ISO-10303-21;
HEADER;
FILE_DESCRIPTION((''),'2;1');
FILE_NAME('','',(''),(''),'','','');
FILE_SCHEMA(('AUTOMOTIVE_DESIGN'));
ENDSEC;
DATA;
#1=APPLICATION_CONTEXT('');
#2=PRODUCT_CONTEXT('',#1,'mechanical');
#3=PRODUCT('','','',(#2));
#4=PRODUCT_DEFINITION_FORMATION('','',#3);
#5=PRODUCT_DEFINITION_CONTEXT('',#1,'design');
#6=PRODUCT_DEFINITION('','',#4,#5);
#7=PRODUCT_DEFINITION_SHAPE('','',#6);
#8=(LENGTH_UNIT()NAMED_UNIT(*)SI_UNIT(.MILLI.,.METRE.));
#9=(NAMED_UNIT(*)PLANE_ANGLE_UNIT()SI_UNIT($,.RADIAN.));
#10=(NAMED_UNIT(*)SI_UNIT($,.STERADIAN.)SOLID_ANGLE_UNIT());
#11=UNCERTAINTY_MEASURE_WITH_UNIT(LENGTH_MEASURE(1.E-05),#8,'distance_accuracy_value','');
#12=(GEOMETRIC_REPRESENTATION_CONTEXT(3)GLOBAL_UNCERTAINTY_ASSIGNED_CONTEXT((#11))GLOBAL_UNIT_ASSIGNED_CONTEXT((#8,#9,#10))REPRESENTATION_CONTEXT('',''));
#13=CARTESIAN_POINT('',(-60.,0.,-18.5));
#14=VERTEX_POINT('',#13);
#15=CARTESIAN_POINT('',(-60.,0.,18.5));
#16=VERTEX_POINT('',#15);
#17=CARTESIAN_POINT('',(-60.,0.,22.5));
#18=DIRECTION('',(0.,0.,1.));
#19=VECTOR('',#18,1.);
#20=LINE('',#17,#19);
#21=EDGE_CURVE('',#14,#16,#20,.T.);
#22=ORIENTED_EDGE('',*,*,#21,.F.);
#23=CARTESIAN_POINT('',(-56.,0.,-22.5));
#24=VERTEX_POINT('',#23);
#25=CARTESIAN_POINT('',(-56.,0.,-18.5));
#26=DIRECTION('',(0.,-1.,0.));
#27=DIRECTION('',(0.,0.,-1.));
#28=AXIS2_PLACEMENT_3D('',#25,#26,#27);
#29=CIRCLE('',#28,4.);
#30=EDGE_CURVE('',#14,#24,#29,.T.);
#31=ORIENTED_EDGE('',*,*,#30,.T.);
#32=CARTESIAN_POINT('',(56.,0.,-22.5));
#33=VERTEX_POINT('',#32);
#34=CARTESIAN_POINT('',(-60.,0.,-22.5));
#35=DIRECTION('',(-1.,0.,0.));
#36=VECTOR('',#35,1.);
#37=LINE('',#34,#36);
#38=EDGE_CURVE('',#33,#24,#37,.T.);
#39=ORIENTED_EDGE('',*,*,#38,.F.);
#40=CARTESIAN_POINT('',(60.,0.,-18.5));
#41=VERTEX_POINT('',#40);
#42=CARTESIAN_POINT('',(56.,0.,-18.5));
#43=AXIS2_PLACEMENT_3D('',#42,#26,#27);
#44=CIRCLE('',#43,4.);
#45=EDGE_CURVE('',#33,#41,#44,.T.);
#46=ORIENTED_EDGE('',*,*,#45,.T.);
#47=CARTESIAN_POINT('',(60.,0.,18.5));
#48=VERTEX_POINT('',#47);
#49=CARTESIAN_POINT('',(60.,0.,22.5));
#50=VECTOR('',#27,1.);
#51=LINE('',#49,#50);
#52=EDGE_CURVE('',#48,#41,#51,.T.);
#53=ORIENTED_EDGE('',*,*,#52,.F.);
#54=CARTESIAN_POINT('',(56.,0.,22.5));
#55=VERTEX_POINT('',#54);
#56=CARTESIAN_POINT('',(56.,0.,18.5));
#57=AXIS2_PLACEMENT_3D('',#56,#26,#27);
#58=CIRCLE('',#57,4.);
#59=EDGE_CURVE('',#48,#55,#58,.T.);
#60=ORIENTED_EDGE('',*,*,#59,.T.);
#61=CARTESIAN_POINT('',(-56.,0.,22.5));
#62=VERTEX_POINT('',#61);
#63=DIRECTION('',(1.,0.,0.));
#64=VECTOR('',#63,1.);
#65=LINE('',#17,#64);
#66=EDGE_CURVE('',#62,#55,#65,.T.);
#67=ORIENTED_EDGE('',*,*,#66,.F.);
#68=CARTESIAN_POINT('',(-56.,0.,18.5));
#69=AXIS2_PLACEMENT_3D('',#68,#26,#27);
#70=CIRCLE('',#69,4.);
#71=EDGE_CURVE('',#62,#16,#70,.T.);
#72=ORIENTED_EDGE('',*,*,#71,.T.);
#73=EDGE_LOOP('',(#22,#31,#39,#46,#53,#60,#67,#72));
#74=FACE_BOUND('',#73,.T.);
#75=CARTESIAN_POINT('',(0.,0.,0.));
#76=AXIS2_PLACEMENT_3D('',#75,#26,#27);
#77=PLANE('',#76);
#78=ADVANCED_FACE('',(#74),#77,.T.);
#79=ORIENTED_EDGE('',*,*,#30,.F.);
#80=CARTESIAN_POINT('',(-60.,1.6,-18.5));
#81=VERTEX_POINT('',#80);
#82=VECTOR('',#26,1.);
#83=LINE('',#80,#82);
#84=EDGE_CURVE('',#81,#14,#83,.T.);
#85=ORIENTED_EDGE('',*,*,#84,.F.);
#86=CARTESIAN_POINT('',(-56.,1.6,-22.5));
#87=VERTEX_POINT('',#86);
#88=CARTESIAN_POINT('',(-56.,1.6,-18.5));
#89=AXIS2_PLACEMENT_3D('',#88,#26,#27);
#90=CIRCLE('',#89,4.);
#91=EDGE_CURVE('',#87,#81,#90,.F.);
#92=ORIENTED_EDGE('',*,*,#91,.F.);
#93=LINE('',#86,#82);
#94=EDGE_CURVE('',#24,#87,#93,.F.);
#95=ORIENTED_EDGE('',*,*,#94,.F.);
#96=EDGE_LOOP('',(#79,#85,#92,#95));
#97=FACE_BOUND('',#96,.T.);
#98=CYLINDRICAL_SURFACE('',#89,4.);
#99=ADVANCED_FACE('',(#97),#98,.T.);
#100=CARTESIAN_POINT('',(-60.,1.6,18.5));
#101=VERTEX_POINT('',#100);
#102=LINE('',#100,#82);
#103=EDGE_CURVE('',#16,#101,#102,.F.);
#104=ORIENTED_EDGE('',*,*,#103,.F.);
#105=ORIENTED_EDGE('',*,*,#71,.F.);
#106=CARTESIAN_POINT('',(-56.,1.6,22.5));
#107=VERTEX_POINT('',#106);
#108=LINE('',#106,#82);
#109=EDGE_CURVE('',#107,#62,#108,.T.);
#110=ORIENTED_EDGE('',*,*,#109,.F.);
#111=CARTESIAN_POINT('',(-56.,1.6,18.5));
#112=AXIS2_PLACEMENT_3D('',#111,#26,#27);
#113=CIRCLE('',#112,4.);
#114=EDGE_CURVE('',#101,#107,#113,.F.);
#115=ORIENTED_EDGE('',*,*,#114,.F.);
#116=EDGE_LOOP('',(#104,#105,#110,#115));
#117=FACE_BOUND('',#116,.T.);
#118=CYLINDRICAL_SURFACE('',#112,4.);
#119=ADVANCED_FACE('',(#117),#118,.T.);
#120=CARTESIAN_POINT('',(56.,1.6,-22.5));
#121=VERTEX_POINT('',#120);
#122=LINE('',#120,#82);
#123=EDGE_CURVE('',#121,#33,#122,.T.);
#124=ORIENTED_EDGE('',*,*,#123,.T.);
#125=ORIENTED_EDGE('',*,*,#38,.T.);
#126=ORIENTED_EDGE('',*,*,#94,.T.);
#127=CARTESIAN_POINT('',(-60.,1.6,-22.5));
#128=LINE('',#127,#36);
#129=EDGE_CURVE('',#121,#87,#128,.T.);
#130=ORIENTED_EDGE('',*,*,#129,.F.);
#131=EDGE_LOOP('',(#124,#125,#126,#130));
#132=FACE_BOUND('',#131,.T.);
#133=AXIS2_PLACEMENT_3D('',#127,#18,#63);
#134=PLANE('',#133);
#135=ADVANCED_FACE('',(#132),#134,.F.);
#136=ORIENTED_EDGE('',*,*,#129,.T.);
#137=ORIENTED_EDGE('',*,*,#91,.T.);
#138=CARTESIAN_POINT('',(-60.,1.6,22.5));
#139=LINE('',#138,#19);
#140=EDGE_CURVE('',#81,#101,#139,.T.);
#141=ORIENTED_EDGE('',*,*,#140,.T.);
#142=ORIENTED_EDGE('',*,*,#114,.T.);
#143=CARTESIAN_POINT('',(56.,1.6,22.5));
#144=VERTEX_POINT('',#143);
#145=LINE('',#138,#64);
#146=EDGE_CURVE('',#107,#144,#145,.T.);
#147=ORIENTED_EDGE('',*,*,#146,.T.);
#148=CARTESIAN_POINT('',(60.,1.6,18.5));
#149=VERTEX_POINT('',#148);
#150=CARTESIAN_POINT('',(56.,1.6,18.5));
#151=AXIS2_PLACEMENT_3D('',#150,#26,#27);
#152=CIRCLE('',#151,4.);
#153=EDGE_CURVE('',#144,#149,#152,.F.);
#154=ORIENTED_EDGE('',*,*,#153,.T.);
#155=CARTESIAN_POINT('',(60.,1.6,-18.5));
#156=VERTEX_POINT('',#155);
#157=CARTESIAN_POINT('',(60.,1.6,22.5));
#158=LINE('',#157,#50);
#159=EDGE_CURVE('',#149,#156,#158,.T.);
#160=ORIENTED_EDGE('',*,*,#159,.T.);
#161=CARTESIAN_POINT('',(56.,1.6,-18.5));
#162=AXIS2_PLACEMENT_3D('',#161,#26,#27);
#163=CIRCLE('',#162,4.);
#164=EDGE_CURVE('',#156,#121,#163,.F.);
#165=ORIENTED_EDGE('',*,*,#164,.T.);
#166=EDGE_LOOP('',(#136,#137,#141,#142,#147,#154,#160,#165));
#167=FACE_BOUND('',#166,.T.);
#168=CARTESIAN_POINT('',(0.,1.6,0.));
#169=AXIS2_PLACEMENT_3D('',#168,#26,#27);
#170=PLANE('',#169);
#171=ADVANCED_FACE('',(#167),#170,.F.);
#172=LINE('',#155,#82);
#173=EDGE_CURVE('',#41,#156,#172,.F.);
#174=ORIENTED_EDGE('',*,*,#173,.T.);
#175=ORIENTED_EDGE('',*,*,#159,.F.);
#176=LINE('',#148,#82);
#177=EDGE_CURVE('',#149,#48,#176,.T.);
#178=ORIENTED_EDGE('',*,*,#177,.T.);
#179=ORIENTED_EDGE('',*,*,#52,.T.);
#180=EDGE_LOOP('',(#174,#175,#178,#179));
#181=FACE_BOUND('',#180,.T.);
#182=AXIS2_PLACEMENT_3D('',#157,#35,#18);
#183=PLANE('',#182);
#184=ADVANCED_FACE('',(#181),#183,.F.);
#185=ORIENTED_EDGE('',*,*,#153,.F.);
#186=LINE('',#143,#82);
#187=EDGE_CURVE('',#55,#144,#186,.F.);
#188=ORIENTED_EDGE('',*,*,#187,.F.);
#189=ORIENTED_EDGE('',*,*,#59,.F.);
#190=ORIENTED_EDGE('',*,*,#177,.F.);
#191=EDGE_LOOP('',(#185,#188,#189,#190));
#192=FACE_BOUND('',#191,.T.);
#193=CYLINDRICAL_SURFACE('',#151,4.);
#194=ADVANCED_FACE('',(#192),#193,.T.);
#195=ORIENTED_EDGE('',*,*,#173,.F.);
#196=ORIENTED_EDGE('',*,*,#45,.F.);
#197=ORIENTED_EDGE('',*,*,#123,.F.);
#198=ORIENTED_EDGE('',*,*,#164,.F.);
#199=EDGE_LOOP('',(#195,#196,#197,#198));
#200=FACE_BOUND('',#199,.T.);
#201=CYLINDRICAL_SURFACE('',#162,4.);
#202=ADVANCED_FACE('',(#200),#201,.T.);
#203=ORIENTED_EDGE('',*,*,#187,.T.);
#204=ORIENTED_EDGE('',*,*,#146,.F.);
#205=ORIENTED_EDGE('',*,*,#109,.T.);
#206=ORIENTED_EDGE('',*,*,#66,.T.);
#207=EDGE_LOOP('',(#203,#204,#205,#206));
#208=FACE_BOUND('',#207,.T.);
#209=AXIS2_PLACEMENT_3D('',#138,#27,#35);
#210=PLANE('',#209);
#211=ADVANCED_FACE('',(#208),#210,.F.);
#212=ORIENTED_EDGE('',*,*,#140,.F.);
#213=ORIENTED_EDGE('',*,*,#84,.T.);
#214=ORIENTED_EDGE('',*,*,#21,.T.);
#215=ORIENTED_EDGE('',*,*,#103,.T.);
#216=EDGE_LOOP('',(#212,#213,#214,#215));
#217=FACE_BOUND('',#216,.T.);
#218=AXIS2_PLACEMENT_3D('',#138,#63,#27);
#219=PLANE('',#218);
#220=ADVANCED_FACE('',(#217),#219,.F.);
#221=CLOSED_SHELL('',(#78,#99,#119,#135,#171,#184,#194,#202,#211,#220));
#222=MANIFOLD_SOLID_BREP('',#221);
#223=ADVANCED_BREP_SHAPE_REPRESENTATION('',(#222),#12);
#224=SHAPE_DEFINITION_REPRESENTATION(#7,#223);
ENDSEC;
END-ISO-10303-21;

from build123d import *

# Parameters (mm, degrees)
SKETCH1_W           = 120
SKETCH1_H           = 45
BOSS_EXTRUDE1_DEPTH = 1.6
FILLET1_R           = 4


with BuildPart() as part:
    # Sketch1 → Boss-Extrude1 (new body)
    with BuildSketch(Plane(origin=(0, 0, 0), x_dir=(1, 0, 0), z_dir=(0, 1, 0))):
        Rectangle(SKETCH1_W, SKETCH1_H)
    extrude(amount=BOSS_EXTRUDE1_DEPTH)

    # Fillet1
    fillet1_edges = [part.edges().sort_by_distance(p)[0] for p in [
        (60, 0.8, 22.5),
        (-60, 0.8, 22.5),
        (-60, 0.8, -22.5),
        (60, 0.8, -22.5),
    ]]
    fillet(fillet1_edges, radius=FILLET1_R)


solid = part.part
